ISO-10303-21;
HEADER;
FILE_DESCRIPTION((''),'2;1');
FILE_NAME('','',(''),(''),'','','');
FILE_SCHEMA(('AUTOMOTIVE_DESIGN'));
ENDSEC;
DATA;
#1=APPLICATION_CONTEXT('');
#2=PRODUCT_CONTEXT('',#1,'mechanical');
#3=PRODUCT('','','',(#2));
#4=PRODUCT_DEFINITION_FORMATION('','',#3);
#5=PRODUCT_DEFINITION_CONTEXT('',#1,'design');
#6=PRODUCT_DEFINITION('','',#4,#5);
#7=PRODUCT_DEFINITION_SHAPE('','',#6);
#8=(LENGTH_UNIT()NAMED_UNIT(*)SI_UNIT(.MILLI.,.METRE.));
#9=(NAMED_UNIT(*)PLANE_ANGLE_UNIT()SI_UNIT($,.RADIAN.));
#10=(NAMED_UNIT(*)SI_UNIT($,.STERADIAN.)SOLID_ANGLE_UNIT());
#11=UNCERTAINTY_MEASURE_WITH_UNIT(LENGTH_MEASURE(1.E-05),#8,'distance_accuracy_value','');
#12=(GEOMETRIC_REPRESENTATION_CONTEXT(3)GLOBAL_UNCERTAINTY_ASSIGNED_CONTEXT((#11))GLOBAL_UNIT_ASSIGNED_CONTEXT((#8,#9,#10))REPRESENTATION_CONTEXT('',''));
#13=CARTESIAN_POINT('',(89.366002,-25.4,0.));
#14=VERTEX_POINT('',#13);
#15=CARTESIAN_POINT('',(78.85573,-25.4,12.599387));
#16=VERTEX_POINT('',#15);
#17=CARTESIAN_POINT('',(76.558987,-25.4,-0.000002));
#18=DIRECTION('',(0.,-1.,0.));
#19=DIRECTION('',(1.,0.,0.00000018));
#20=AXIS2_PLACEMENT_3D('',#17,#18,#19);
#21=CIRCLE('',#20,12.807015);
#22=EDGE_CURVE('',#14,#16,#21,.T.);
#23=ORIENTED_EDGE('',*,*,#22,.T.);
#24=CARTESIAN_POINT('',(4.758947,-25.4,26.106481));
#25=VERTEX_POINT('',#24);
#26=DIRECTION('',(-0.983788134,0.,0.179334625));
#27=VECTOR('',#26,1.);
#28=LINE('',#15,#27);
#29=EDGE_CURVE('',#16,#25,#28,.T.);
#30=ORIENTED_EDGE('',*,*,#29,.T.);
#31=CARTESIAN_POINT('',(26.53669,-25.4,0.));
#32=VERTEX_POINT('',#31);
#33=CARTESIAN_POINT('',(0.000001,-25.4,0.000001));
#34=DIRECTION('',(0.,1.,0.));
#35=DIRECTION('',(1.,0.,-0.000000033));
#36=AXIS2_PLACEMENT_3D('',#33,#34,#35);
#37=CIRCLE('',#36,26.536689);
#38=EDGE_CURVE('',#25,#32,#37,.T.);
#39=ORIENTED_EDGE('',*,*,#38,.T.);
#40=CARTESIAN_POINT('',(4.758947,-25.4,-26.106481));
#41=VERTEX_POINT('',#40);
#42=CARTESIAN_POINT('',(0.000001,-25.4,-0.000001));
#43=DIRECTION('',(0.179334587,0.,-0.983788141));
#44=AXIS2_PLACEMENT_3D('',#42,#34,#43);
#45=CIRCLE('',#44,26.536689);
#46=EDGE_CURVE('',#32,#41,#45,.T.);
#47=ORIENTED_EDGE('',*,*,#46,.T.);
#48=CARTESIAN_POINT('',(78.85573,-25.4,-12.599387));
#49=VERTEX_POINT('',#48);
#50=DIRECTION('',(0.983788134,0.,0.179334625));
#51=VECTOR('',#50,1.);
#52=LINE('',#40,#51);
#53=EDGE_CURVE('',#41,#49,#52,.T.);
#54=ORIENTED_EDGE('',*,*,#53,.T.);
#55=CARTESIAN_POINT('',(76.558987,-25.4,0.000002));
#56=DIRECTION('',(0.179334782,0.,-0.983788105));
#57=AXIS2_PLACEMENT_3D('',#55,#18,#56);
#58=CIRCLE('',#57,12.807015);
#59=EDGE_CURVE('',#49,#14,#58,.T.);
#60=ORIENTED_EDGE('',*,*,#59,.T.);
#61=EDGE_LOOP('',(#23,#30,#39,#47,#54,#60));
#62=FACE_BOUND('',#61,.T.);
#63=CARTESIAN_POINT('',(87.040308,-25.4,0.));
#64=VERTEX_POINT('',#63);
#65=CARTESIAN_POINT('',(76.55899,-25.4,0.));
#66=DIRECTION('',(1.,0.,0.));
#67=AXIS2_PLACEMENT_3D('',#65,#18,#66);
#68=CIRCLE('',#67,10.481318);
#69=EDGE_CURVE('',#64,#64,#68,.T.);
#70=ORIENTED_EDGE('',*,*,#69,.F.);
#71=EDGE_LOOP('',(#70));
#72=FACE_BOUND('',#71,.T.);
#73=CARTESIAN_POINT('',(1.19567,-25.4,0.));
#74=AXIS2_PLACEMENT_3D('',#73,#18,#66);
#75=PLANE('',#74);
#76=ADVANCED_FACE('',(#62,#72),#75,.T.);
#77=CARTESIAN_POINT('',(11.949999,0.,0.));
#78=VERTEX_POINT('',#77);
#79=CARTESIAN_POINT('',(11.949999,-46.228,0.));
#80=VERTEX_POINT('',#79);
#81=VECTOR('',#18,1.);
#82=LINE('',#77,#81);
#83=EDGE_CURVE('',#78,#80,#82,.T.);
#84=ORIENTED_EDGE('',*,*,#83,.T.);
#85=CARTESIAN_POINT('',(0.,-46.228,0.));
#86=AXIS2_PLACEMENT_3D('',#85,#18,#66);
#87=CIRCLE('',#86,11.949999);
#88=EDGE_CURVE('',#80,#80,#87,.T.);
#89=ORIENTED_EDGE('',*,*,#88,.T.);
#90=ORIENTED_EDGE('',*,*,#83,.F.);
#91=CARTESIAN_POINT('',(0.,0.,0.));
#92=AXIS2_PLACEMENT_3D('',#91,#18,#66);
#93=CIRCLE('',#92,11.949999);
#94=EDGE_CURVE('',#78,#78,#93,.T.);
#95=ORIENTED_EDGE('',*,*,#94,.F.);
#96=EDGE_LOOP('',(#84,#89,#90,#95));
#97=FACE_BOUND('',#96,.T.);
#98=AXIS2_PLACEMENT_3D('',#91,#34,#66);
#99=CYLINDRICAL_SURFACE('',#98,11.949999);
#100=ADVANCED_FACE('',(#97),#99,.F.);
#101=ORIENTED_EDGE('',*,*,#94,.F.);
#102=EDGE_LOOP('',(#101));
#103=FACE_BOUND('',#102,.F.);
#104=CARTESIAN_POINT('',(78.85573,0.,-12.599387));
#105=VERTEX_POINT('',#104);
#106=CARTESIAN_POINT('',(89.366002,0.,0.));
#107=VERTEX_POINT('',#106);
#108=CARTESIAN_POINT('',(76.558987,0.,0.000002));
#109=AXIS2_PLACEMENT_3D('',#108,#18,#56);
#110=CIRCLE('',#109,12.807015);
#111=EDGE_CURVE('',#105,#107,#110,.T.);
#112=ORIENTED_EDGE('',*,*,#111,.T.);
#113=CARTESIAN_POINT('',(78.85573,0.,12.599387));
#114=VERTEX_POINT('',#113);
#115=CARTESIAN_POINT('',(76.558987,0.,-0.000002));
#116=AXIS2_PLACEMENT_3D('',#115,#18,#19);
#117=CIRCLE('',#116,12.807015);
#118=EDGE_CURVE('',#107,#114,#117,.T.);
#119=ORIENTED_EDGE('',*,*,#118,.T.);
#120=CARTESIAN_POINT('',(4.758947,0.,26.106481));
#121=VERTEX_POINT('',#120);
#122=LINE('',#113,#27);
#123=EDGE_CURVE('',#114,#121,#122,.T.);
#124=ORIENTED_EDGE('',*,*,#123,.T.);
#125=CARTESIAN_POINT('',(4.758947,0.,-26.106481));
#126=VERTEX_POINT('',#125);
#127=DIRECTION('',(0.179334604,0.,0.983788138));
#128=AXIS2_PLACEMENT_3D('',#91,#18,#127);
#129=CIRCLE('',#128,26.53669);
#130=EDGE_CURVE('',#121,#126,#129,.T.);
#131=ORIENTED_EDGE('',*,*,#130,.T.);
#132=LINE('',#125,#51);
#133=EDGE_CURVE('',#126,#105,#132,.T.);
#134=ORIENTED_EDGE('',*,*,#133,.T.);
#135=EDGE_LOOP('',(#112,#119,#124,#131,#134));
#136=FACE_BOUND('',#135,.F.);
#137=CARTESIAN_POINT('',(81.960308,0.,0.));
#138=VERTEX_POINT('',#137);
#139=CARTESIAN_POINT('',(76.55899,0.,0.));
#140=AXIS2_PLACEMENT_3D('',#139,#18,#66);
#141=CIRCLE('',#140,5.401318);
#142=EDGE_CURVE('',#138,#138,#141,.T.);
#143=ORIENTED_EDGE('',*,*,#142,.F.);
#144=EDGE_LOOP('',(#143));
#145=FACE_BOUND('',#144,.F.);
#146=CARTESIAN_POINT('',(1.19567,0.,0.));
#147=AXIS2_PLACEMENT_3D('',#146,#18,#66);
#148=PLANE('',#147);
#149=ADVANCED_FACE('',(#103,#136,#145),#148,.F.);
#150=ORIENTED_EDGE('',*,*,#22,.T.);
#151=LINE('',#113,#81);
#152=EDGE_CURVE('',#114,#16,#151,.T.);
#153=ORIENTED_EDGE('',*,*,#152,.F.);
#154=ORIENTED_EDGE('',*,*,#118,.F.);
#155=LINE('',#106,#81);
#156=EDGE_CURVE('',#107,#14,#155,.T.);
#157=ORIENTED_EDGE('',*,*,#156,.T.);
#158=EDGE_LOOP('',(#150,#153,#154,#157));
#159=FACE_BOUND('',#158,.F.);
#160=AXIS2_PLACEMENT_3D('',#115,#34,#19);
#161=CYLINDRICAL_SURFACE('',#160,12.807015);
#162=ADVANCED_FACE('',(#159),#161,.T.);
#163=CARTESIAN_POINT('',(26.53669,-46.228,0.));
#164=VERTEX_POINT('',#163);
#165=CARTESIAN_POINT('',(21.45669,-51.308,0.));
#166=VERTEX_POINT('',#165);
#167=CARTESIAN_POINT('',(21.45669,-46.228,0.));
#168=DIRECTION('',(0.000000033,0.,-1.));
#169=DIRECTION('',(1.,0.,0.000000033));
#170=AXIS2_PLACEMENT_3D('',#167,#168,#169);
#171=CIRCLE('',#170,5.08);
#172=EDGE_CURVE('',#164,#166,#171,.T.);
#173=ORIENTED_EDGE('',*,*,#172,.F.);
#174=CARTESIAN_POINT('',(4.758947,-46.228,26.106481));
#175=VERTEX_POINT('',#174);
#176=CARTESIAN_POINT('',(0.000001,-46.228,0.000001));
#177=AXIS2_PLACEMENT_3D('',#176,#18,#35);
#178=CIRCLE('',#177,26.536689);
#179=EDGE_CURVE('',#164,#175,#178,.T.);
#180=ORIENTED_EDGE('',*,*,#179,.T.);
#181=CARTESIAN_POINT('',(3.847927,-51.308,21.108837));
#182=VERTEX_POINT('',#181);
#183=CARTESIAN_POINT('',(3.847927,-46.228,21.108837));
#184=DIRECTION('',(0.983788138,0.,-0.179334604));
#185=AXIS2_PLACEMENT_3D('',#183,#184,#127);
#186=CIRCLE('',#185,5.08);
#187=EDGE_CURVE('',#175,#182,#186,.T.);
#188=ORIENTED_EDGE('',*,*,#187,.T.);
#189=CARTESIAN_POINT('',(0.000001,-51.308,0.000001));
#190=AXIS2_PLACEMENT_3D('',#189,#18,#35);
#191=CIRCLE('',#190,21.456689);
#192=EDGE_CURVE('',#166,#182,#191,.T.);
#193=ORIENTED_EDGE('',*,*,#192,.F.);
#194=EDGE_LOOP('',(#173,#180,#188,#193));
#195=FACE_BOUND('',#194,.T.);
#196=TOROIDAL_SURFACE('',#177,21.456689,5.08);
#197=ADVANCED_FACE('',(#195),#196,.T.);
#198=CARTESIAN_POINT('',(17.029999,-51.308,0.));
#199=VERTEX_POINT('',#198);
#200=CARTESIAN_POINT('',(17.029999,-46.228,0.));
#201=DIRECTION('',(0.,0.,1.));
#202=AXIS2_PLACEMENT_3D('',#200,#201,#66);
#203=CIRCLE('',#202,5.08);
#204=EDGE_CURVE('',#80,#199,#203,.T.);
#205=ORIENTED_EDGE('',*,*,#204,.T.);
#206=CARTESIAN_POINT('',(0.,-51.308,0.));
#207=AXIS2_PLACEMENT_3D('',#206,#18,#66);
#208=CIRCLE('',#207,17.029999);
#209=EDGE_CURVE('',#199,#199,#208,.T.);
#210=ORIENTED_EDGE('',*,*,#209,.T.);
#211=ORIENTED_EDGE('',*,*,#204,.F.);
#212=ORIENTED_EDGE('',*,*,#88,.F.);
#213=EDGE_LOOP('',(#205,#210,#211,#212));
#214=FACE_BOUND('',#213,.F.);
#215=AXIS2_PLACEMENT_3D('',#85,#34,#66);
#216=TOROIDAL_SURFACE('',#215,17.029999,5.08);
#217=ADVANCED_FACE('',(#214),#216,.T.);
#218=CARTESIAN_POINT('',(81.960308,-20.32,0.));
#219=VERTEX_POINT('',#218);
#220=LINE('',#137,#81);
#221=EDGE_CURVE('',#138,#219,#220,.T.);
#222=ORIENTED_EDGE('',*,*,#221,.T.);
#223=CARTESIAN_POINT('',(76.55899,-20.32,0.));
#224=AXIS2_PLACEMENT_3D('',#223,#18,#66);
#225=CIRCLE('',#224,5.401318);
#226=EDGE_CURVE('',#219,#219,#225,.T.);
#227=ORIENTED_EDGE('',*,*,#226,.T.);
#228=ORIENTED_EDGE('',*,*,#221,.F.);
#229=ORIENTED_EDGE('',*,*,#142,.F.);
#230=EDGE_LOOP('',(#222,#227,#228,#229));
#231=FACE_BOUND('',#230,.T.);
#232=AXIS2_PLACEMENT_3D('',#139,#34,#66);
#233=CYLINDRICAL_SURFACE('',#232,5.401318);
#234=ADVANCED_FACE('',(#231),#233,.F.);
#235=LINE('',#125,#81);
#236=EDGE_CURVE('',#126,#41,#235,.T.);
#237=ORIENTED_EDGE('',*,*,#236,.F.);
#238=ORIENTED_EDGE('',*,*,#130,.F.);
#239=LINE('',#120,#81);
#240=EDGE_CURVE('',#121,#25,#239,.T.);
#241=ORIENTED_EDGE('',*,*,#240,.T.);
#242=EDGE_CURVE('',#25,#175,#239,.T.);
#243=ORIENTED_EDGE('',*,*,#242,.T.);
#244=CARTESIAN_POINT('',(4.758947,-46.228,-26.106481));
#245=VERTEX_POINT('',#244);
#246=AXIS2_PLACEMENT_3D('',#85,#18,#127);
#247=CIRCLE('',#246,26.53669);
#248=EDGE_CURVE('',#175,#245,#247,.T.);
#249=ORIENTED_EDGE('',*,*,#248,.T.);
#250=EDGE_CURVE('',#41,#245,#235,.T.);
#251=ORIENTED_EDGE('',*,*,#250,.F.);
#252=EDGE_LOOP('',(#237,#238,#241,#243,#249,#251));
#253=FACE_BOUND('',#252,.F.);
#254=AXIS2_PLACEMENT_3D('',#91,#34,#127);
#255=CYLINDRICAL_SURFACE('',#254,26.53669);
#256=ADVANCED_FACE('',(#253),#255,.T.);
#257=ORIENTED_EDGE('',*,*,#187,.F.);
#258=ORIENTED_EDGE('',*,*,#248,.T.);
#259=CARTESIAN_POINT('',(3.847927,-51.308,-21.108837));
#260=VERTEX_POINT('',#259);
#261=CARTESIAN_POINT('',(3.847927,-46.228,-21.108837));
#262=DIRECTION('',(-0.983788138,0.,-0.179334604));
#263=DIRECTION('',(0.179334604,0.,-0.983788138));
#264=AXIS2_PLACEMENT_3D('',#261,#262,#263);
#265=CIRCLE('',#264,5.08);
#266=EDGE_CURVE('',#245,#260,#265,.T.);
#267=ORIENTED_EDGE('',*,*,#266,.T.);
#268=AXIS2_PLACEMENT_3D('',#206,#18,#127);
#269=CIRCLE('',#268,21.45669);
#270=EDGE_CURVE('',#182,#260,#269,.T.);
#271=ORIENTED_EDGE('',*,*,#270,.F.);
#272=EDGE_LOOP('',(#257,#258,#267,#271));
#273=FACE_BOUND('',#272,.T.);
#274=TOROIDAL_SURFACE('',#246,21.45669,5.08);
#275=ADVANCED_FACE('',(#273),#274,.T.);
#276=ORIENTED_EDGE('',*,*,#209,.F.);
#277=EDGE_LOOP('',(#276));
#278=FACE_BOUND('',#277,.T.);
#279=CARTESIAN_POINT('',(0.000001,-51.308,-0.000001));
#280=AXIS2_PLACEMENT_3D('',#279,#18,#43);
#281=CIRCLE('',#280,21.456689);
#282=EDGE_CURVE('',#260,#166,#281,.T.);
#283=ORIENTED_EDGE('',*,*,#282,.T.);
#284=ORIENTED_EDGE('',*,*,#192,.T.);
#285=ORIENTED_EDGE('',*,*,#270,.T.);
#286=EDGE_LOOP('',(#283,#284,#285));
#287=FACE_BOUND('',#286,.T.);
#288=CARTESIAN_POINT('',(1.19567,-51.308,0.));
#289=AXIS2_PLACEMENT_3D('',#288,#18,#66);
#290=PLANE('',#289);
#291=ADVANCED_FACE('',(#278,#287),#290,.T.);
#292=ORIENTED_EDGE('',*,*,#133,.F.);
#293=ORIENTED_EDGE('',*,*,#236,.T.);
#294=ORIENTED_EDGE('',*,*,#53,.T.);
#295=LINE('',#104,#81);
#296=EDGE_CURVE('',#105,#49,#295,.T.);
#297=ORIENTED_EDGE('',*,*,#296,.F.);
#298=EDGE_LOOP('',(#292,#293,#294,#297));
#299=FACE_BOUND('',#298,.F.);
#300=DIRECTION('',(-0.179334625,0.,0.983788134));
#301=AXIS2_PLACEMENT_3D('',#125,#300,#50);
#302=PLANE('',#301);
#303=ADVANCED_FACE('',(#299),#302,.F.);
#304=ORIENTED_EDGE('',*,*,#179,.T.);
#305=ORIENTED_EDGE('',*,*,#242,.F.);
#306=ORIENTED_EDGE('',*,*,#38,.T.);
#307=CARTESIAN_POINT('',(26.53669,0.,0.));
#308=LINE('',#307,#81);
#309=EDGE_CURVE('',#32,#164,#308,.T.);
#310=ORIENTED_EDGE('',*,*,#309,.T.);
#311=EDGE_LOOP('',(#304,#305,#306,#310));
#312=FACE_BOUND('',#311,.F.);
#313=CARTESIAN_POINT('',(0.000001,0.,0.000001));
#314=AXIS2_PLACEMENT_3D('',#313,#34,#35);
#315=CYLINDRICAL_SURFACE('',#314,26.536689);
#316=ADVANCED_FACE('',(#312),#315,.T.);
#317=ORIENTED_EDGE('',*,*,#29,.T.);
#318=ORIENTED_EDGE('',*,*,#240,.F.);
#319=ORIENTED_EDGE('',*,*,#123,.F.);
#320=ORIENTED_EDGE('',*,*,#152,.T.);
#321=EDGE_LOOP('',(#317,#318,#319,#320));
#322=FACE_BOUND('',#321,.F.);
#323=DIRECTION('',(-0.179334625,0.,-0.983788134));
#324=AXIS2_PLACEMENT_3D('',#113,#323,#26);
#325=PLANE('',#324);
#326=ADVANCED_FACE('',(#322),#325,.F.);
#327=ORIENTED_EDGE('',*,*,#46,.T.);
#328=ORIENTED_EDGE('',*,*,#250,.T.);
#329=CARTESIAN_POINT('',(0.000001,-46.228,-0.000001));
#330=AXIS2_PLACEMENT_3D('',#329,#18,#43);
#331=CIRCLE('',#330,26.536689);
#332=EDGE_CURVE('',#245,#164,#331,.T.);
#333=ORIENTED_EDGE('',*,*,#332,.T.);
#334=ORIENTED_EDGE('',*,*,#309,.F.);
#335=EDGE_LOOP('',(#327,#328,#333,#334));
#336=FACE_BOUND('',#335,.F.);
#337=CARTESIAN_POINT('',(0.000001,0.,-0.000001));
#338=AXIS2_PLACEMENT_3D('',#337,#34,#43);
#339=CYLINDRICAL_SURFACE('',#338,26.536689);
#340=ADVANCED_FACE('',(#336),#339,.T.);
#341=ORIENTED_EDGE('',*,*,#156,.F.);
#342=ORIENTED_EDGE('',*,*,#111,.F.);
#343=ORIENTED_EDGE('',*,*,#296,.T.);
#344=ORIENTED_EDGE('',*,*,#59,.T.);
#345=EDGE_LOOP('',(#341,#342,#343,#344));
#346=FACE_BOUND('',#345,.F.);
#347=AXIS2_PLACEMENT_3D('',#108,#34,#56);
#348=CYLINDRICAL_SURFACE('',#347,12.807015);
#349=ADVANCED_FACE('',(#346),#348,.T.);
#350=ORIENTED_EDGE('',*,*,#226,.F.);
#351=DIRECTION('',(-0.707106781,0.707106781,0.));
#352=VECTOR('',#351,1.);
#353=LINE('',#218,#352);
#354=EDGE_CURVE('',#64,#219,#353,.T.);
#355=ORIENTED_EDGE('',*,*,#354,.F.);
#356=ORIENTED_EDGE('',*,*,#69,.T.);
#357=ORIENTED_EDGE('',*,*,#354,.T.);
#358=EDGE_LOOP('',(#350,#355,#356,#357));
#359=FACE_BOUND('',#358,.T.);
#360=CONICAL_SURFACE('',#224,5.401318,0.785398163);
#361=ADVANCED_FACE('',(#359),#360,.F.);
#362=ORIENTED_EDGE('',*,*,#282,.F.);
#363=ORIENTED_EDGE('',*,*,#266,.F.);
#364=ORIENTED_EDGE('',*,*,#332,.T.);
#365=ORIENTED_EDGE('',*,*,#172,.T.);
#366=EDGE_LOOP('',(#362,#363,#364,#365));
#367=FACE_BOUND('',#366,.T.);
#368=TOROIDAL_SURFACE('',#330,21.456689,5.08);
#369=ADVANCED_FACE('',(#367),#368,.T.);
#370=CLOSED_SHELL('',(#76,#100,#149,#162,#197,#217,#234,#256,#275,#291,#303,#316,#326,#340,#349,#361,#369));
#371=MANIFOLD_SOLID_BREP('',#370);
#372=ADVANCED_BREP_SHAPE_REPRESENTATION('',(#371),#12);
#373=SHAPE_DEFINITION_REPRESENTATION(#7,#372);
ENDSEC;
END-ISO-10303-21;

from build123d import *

# Parameters (mm, degrees)
F0_R     = 11.949999
F0_R_2   = 5.401318
F1_DEPTH = 25.4
F2_DEPTH = 51.308
F3_R     = 5.08
F4_SIZE  = 5.08


with BuildPart() as f1:
    # F0 (on Front) → F1 (new body)
    with BuildSketch(Plane.XZ):
        with BuildLine():
            ThreePointArc((4.758947, -26.106481), (20.377471, -16.998665), (26.53669, 0))
            ThreePointArc((26.53669, 0), (20.377471, 16.998665), (4.758947, 26.106481))
            ThreePointArc((4.758947, 26.106481), (-26.53669, 0), (4.758947, -26.106481))
        make_face()
        Circle(F0_R, mode=Mode.SUBTRACT)
        with BuildLine():
            ThreePointArc((4.758947, 26.106481), (20.377471, 16.998665), (26.53669, 0))
            ThreePointArc((26.53669, 0), (20.377471, -16.998665), (4.758947, -26.106481))
            Line((4.758947, -26.106481), (78.85573, -12.599387))
            ThreePointArc((78.85573, -12.599387), (63.751977, 0), (78.85573, 12.599387))
            Line((78.85573, 12.599387), (4.758947, 26.106481))
        make_face()
        with BuildLine():
            ThreePointArc((89.366002, 0), (86.393468, 8.203815), (78.85573, 12.599387))
            ThreePointArc((78.85573, 12.599387), (63.751977, 0), (78.85573, -12.599387))
            ThreePointArc((78.85573, -12.599387), (86.393468, -8.203815), (89.366002, 0))
        make_face()
        with Locations((76.55899, 0)):
            Circle(F0_R_2, mode=Mode.SUBTRACT)
    extrude(amount=F1_DEPTH)

    # F0 (on Front) → F2 (join)
    with BuildSketch(Plane.XZ):
        with BuildLine():
            ThreePointArc((4.758947, -26.106481), (20.377471, -16.998665), (26.53669, 0))
            ThreePointArc((26.53669, 0), (20.377471, 16.998665), (4.758947, 26.106481))
            ThreePointArc((4.758947, 26.106481), (-26.53669, 0), (4.758947, -26.106481))
        make_face()
        Circle(F0_R, mode=Mode.SUBTRACT)
    extrude(amount=F2_DEPTH)

    # F3
    f3_edges = [f1.edges().sort_by_distance(p)[0] for p in [
        (-4.758947, -51.308, 26.106481),
        (-11.949999, -51.308, 0),
    ]]
    fillet(f3_edges, radius=F3_R)

    # F4
    f4_edges = [f1.edges().sort_by_distance(p)[0] for p in [
        (71.157671, -25.4, 0),
    ]]
    chamfer(f4_edges, length=F4_SIZE)


solid = f1.part
